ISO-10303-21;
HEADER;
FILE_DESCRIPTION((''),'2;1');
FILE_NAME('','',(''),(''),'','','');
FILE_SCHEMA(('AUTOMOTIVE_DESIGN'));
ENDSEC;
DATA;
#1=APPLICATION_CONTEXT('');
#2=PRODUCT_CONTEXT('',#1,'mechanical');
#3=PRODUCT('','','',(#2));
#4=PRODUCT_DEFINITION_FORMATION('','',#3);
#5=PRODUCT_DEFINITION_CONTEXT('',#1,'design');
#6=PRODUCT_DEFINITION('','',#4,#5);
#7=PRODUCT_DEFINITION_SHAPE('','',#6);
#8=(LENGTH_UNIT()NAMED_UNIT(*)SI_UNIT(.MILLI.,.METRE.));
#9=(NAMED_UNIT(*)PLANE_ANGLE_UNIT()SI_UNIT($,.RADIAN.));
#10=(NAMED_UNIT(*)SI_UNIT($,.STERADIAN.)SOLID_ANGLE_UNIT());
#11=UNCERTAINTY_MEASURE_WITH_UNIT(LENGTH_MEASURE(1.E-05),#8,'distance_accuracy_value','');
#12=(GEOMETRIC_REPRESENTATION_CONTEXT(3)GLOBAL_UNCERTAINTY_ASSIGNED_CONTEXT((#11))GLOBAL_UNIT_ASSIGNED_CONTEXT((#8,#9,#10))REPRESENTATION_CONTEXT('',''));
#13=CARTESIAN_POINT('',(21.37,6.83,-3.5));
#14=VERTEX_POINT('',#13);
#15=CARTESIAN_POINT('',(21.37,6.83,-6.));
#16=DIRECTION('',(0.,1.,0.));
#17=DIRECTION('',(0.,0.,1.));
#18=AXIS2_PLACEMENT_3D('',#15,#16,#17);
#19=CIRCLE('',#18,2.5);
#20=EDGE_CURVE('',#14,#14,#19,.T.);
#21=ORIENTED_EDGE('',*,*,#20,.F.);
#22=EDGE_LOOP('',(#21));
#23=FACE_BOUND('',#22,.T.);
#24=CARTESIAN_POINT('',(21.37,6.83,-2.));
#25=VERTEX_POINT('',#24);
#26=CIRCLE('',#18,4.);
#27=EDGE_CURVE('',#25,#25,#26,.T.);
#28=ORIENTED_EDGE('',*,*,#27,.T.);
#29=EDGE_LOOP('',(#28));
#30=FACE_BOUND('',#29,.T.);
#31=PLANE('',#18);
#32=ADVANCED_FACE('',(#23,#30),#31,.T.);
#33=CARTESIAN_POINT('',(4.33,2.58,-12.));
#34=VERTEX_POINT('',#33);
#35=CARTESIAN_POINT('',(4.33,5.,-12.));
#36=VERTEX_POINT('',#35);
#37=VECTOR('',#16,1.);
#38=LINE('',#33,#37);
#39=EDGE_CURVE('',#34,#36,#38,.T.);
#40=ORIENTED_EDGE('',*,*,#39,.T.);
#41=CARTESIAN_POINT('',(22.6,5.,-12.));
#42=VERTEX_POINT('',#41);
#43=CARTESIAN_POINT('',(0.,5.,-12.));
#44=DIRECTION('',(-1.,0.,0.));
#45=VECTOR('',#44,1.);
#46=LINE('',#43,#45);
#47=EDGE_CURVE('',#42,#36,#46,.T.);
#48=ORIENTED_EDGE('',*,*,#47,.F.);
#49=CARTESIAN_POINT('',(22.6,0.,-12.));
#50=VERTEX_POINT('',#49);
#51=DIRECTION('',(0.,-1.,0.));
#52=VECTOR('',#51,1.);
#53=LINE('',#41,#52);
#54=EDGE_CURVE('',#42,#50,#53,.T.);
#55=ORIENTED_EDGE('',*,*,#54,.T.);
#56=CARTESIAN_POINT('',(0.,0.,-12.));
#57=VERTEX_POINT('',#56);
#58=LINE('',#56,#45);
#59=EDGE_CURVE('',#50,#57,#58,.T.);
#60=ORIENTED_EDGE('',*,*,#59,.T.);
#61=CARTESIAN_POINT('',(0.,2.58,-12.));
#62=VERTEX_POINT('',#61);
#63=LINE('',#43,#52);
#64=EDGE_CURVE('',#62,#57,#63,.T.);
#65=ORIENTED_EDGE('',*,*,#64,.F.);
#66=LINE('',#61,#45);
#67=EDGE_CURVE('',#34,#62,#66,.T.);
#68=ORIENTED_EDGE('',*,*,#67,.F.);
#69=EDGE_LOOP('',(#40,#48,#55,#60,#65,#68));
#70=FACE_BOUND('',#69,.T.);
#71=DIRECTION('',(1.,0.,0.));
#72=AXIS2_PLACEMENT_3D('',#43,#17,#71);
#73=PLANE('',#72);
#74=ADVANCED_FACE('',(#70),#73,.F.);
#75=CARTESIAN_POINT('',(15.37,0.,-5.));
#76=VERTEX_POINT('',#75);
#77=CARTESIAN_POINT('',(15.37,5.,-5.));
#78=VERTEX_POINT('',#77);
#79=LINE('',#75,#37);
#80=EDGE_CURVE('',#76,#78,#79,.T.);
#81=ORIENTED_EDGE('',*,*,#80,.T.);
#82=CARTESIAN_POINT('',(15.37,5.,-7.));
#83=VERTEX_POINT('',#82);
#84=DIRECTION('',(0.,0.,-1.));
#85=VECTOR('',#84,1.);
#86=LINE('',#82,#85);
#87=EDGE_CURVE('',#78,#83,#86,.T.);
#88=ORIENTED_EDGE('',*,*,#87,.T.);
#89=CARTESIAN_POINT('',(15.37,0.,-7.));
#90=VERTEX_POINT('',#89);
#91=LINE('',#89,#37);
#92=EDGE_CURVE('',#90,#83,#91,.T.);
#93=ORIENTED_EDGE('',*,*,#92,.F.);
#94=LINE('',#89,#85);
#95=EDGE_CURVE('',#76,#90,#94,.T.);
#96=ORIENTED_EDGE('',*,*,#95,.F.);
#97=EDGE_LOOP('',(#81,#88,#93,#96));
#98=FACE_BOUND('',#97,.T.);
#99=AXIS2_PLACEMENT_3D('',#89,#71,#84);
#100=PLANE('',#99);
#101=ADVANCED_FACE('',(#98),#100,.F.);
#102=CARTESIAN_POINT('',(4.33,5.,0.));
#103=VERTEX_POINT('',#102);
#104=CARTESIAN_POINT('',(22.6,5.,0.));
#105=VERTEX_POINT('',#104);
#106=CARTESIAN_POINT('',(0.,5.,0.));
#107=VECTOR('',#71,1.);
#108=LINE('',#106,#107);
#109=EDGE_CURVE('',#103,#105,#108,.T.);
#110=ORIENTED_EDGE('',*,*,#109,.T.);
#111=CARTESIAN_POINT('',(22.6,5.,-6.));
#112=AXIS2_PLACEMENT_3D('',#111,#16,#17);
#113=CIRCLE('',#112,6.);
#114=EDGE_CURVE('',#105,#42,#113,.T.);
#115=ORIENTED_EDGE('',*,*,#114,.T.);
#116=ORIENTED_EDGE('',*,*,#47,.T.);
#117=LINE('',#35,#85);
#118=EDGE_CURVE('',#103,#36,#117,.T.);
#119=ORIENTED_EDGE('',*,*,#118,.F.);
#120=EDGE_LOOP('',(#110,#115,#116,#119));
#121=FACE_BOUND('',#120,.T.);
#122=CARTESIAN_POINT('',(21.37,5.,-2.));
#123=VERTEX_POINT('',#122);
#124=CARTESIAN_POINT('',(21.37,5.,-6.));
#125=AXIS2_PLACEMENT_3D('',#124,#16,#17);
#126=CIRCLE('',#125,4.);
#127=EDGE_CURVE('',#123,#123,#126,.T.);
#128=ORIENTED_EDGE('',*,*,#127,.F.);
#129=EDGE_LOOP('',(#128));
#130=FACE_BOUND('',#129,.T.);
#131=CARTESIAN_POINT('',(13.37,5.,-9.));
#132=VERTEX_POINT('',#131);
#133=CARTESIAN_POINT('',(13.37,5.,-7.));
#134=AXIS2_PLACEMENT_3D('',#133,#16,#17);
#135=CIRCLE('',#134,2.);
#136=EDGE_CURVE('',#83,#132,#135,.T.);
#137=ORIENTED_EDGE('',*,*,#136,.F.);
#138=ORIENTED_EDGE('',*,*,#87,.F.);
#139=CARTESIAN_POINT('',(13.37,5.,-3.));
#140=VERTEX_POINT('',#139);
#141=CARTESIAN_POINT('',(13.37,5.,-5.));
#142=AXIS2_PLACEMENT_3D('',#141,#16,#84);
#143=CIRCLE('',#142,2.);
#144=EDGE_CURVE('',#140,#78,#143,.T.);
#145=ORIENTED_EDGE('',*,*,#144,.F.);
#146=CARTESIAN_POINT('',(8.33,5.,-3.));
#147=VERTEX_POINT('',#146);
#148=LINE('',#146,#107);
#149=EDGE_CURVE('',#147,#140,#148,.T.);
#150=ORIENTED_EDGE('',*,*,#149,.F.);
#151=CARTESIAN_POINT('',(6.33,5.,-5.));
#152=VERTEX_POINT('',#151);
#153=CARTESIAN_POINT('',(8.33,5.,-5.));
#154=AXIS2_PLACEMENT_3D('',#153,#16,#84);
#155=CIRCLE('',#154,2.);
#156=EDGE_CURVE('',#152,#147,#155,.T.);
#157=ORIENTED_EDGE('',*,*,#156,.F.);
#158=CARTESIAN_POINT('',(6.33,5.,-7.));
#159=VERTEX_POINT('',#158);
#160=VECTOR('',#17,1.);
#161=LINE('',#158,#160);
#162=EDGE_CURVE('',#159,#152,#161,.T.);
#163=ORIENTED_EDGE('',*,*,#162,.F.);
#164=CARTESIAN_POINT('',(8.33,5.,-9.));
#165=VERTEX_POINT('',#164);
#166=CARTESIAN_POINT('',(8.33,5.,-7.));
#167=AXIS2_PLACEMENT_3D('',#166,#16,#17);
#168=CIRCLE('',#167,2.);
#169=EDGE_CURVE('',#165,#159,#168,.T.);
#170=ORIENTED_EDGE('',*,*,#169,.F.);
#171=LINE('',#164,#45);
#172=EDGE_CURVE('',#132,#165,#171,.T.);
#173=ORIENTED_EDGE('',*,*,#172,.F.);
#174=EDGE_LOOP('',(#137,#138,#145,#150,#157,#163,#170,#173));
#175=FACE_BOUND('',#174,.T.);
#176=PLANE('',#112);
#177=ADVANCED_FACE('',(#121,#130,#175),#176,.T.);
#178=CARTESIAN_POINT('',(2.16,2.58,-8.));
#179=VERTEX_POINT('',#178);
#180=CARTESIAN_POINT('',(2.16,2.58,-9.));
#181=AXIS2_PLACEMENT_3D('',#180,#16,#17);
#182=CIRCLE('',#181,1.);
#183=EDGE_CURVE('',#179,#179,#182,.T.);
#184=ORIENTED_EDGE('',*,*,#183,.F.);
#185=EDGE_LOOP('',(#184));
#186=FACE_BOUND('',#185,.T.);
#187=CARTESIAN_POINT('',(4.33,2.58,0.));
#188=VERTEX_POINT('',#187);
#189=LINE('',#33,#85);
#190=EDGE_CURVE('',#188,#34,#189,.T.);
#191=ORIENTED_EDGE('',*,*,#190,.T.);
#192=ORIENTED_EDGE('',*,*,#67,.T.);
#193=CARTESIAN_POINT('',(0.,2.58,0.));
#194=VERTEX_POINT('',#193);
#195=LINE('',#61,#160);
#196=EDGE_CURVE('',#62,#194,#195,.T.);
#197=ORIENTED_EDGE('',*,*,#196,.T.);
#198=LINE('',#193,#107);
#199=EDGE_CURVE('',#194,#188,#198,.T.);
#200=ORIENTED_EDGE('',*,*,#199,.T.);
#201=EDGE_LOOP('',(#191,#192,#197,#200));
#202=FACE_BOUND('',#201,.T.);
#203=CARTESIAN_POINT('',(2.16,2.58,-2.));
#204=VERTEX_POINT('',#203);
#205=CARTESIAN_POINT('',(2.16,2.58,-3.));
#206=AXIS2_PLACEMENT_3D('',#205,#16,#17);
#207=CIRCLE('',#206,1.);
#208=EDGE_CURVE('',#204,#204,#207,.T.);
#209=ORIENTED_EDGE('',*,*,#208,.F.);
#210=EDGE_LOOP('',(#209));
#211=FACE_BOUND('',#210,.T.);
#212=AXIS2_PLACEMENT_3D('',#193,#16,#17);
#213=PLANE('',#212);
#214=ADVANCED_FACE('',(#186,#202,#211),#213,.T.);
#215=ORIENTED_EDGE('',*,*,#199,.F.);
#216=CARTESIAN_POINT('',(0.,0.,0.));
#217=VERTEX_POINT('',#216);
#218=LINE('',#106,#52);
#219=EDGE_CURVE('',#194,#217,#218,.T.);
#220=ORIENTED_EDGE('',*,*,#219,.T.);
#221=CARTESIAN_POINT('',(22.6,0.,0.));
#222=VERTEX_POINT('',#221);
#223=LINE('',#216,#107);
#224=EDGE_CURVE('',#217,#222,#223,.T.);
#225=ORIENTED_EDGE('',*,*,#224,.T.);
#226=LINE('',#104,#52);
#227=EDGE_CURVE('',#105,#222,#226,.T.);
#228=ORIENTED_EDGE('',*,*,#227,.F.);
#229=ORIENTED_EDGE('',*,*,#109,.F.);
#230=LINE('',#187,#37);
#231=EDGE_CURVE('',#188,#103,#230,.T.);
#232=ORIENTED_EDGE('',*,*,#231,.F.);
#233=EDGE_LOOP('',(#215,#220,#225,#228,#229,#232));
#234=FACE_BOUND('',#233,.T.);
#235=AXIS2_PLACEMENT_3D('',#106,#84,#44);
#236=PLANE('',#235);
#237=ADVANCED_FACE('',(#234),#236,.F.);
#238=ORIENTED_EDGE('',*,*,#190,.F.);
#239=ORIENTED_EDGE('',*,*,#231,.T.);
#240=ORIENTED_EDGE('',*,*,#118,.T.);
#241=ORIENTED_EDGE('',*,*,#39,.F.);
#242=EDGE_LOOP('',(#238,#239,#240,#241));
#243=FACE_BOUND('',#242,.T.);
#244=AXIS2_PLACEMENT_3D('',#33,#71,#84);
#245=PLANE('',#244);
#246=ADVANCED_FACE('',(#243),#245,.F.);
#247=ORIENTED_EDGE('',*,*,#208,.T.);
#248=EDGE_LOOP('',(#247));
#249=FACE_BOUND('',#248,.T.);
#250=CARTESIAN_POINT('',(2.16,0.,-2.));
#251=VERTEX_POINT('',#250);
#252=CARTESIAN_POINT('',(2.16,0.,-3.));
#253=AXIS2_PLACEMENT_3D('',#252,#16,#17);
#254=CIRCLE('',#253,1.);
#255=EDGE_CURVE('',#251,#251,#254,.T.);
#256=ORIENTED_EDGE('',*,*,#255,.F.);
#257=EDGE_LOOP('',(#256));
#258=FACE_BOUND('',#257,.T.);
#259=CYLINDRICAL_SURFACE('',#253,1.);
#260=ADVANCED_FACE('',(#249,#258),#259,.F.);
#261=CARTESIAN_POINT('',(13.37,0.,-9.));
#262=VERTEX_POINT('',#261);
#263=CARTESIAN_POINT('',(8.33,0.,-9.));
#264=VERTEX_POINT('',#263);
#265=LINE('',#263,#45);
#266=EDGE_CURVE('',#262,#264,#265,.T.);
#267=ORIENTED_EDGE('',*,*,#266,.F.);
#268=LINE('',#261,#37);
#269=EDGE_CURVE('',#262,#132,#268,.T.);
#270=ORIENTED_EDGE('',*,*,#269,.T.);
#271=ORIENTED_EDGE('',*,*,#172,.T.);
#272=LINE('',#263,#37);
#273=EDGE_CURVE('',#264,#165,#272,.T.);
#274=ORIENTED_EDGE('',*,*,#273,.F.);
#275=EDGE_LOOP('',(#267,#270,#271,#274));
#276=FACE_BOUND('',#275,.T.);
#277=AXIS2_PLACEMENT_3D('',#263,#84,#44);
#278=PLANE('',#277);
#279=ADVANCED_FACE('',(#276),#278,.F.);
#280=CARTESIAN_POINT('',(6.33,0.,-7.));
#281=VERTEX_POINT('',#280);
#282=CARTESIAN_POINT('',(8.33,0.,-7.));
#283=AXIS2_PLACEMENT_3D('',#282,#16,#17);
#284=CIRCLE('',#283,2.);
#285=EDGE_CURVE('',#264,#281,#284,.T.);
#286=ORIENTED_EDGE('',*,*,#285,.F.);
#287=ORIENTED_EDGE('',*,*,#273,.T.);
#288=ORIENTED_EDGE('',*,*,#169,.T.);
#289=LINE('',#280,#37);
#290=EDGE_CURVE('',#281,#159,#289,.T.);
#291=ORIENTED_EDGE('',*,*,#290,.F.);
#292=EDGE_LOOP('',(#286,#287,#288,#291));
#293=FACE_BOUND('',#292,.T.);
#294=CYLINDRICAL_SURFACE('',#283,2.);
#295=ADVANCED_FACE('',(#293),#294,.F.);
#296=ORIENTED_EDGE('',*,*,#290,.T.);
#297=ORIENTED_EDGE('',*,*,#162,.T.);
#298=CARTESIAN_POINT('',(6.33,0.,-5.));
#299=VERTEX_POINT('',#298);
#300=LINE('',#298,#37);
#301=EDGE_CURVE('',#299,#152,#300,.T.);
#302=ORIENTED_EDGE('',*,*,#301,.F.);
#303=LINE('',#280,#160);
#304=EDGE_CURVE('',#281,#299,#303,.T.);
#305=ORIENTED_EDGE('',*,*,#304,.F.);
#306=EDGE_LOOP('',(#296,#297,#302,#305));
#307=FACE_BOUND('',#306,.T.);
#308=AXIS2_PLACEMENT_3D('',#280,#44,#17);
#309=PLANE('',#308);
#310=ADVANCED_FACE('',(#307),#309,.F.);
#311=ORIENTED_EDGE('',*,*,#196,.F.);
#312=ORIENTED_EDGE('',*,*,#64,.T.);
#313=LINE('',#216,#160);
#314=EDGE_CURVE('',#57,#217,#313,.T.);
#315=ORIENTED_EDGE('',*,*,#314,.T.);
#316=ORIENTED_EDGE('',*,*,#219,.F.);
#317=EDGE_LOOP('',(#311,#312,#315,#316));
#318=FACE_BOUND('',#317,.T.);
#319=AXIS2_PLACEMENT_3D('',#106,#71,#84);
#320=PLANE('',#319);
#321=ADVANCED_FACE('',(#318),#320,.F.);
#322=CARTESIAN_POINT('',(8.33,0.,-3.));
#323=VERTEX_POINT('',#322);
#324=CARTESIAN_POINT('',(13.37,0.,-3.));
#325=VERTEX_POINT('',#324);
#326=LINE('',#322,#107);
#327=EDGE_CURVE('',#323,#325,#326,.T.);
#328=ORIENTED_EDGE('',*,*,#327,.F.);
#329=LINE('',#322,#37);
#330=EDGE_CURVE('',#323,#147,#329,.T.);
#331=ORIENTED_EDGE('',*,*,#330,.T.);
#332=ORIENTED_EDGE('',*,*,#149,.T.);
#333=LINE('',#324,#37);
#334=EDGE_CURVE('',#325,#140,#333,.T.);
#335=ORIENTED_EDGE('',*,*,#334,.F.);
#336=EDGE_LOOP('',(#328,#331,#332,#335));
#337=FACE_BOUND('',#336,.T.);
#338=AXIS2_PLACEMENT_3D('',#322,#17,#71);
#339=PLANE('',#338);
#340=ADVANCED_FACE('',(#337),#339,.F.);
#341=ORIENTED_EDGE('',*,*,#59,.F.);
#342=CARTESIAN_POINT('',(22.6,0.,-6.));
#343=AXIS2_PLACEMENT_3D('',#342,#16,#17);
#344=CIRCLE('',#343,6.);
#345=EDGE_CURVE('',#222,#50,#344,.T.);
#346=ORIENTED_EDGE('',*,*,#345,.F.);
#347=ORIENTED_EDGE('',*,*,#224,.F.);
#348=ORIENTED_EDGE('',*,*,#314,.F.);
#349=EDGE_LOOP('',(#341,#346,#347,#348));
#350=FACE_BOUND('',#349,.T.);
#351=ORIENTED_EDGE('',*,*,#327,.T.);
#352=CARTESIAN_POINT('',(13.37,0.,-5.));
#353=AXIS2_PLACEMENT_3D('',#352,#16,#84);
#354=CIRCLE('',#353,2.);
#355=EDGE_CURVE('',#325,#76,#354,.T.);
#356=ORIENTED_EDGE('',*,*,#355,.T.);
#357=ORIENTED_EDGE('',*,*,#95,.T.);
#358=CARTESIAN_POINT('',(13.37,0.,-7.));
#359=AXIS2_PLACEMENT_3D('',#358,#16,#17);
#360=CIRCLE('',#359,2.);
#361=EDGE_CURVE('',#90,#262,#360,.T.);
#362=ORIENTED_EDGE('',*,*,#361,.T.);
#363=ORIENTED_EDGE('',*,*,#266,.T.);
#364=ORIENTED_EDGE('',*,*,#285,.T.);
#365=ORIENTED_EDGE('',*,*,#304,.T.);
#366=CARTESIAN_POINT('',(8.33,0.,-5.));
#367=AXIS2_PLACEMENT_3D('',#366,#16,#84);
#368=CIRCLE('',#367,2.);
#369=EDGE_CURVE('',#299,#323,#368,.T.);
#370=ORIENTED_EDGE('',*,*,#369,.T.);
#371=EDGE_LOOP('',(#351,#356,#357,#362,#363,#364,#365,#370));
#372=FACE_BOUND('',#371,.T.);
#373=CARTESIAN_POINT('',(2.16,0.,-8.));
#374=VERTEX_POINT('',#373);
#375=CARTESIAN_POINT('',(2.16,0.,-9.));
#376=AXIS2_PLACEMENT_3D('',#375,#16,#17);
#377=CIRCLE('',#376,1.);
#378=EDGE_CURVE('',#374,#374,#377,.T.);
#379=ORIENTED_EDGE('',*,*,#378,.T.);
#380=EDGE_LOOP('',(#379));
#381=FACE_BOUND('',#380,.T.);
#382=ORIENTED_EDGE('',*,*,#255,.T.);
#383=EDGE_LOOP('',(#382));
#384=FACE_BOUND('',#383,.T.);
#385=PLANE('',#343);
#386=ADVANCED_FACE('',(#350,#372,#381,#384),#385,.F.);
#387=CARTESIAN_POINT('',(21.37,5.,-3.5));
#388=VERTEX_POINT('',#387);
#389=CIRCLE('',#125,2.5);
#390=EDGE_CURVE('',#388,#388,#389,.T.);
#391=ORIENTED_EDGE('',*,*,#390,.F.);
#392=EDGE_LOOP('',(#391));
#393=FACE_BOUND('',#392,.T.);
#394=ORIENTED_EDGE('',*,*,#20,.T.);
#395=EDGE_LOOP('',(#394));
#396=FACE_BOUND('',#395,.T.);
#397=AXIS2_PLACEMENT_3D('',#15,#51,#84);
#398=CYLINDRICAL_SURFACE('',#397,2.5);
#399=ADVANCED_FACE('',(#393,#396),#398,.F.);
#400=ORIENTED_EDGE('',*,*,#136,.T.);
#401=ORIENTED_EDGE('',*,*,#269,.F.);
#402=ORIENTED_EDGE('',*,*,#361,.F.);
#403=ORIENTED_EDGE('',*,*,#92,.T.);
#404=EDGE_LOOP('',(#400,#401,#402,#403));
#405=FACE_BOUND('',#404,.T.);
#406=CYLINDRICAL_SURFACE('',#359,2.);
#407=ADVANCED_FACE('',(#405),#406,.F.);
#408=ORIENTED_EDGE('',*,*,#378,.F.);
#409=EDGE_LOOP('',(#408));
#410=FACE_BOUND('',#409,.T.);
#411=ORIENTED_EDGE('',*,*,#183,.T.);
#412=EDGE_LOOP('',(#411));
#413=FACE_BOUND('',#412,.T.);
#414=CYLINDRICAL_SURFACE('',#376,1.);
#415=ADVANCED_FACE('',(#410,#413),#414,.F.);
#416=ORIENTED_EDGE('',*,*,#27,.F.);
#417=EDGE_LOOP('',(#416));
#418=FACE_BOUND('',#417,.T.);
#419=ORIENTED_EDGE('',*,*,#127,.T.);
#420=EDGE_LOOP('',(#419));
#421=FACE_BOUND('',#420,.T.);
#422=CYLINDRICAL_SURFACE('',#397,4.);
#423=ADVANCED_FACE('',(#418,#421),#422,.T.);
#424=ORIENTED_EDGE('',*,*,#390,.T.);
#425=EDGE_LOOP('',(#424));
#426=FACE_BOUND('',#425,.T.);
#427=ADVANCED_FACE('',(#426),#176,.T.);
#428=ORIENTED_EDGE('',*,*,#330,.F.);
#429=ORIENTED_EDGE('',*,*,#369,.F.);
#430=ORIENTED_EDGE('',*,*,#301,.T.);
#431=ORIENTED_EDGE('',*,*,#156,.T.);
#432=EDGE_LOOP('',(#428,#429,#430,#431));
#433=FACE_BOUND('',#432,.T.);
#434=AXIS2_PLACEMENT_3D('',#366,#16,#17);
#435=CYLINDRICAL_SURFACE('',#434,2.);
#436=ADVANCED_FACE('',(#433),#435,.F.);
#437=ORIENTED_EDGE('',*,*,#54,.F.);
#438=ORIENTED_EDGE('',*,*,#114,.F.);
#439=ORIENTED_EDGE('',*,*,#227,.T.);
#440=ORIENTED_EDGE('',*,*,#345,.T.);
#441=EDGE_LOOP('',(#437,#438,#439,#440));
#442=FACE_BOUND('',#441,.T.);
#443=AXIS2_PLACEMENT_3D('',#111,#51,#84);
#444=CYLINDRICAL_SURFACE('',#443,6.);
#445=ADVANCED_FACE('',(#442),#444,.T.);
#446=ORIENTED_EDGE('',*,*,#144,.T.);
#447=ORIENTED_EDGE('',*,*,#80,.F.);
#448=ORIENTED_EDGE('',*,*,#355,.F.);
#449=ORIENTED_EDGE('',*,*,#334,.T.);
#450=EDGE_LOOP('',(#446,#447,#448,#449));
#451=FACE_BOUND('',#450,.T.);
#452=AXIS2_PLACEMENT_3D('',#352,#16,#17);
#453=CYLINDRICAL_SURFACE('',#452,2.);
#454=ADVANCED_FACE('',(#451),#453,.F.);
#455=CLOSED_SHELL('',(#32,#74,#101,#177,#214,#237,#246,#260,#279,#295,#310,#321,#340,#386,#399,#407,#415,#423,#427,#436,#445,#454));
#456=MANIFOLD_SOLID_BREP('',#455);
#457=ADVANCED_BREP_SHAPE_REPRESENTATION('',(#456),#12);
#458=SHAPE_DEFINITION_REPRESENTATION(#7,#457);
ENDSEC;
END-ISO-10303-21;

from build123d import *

# Parameters (mm, degrees)
BOSS_EXTRUDE1_DEPTH = 5
SKETCH2_W           = 4.33
SKETCH2_H           = 12
CUT_EXTRUDE1_DEPTH  = 2.42
SKETCH3_R           = 1
CUT_EXTRUDE2_DEPTH  = 3.58
SKETCH5_R           = 4
SKETCH5_R_2         = 2.5
BOSS_EXTRUDE2_DEPTH = 1.83
CUT_EXTRUDE3_DEPTH  = 6


with BuildPart() as part:
    # Sketch1 → Boss-Extrude1 (new body)
    with BuildSketch(Plane(origin=(0, 0, 0), x_dir=(1, 0, 0), z_dir=(0, 1, 0))):
        with BuildLine():
            Line((0, 0), (22.6, 0))
            ThreePointArc((22.6, 0), (28.6, 6), (22.6, 12))
            Line((22.6, 12), (0, 12))
            Line((0, 12), (0, 0))
        make_face()
    extrude(amount=BOSS_EXTRUDE1_DEPTH)

    # Sketch2 → Cut-Extrude1 (cut)
    with BuildSketch(Plane(origin=(0, 5, 0), x_dir=(1, 0, 0), z_dir=(0, 1, 0))):
        with Locations((2.165, 6)):
            Rectangle(SKETCH2_W, SKETCH2_H)
    extrude(amount=-CUT_EXTRUDE1_DEPTH, mode=Mode.SUBTRACT)

    # Sketch3 → Cut-Extrude2 (cut, through all)
    with BuildSketch(Plane(origin=(0, 2.58, 0), x_dir=(1, 0, 0), z_dir=(0, 1, 0))):
        with Locations((2.16, 9)):
            Circle(SKETCH3_R)
        with Locations((2.16, 3)):
            Circle(SKETCH3_R)
    extrude(amount=-CUT_EXTRUDE2_DEPTH, mode=Mode.SUBTRACT)

    # Sketch5 → Boss-Extrude2 (add)
    with BuildSketch(Plane(origin=(0, 5, 0), x_dir=(1, 0, 0), z_dir=(0, 1, 0))):
        with Locations((21.37, 6)):
            Circle(SKETCH5_R)
        with Locations((21.37, 6)):
            Circle(SKETCH5_R_2, mode=Mode.SUBTRACT)
    extrude(amount=BOSS_EXTRUDE2_DEPTH)

    # Sketch6 → Cut-Extrude3 (cut, through all)
    with BuildSketch(Plane(origin=(0, 5, 0), x_dir=(1, 0, 0), z_dir=(0, 1, 0))):
        with BuildLine():
            Line((8.33, 9), (13.37, 9))
            ThreePointArc((13.37, 9), (14.784213562, 8.414213562), (15.37, 7))
            Line((15.37, 7), (15.37, 5))
            ThreePointArc((15.37, 5), (14.784213562, 3.585786438), (13.37, 3))
            Line((13.37, 3), (8.33, 3))
            ThreePointArc((8.33, 3), (6.915786438, 3.585786438), (6.33, 5))
            Line((6.33, 5), (6.33, 7))
            ThreePointArc((6.33, 7), (6.915786438, 8.414213562), (8.33, 9))
        make_face()
    extrude(amount=-CUT_EXTRUDE3_DEPTH, mode=Mode.SUBTRACT)


solid = part.part
